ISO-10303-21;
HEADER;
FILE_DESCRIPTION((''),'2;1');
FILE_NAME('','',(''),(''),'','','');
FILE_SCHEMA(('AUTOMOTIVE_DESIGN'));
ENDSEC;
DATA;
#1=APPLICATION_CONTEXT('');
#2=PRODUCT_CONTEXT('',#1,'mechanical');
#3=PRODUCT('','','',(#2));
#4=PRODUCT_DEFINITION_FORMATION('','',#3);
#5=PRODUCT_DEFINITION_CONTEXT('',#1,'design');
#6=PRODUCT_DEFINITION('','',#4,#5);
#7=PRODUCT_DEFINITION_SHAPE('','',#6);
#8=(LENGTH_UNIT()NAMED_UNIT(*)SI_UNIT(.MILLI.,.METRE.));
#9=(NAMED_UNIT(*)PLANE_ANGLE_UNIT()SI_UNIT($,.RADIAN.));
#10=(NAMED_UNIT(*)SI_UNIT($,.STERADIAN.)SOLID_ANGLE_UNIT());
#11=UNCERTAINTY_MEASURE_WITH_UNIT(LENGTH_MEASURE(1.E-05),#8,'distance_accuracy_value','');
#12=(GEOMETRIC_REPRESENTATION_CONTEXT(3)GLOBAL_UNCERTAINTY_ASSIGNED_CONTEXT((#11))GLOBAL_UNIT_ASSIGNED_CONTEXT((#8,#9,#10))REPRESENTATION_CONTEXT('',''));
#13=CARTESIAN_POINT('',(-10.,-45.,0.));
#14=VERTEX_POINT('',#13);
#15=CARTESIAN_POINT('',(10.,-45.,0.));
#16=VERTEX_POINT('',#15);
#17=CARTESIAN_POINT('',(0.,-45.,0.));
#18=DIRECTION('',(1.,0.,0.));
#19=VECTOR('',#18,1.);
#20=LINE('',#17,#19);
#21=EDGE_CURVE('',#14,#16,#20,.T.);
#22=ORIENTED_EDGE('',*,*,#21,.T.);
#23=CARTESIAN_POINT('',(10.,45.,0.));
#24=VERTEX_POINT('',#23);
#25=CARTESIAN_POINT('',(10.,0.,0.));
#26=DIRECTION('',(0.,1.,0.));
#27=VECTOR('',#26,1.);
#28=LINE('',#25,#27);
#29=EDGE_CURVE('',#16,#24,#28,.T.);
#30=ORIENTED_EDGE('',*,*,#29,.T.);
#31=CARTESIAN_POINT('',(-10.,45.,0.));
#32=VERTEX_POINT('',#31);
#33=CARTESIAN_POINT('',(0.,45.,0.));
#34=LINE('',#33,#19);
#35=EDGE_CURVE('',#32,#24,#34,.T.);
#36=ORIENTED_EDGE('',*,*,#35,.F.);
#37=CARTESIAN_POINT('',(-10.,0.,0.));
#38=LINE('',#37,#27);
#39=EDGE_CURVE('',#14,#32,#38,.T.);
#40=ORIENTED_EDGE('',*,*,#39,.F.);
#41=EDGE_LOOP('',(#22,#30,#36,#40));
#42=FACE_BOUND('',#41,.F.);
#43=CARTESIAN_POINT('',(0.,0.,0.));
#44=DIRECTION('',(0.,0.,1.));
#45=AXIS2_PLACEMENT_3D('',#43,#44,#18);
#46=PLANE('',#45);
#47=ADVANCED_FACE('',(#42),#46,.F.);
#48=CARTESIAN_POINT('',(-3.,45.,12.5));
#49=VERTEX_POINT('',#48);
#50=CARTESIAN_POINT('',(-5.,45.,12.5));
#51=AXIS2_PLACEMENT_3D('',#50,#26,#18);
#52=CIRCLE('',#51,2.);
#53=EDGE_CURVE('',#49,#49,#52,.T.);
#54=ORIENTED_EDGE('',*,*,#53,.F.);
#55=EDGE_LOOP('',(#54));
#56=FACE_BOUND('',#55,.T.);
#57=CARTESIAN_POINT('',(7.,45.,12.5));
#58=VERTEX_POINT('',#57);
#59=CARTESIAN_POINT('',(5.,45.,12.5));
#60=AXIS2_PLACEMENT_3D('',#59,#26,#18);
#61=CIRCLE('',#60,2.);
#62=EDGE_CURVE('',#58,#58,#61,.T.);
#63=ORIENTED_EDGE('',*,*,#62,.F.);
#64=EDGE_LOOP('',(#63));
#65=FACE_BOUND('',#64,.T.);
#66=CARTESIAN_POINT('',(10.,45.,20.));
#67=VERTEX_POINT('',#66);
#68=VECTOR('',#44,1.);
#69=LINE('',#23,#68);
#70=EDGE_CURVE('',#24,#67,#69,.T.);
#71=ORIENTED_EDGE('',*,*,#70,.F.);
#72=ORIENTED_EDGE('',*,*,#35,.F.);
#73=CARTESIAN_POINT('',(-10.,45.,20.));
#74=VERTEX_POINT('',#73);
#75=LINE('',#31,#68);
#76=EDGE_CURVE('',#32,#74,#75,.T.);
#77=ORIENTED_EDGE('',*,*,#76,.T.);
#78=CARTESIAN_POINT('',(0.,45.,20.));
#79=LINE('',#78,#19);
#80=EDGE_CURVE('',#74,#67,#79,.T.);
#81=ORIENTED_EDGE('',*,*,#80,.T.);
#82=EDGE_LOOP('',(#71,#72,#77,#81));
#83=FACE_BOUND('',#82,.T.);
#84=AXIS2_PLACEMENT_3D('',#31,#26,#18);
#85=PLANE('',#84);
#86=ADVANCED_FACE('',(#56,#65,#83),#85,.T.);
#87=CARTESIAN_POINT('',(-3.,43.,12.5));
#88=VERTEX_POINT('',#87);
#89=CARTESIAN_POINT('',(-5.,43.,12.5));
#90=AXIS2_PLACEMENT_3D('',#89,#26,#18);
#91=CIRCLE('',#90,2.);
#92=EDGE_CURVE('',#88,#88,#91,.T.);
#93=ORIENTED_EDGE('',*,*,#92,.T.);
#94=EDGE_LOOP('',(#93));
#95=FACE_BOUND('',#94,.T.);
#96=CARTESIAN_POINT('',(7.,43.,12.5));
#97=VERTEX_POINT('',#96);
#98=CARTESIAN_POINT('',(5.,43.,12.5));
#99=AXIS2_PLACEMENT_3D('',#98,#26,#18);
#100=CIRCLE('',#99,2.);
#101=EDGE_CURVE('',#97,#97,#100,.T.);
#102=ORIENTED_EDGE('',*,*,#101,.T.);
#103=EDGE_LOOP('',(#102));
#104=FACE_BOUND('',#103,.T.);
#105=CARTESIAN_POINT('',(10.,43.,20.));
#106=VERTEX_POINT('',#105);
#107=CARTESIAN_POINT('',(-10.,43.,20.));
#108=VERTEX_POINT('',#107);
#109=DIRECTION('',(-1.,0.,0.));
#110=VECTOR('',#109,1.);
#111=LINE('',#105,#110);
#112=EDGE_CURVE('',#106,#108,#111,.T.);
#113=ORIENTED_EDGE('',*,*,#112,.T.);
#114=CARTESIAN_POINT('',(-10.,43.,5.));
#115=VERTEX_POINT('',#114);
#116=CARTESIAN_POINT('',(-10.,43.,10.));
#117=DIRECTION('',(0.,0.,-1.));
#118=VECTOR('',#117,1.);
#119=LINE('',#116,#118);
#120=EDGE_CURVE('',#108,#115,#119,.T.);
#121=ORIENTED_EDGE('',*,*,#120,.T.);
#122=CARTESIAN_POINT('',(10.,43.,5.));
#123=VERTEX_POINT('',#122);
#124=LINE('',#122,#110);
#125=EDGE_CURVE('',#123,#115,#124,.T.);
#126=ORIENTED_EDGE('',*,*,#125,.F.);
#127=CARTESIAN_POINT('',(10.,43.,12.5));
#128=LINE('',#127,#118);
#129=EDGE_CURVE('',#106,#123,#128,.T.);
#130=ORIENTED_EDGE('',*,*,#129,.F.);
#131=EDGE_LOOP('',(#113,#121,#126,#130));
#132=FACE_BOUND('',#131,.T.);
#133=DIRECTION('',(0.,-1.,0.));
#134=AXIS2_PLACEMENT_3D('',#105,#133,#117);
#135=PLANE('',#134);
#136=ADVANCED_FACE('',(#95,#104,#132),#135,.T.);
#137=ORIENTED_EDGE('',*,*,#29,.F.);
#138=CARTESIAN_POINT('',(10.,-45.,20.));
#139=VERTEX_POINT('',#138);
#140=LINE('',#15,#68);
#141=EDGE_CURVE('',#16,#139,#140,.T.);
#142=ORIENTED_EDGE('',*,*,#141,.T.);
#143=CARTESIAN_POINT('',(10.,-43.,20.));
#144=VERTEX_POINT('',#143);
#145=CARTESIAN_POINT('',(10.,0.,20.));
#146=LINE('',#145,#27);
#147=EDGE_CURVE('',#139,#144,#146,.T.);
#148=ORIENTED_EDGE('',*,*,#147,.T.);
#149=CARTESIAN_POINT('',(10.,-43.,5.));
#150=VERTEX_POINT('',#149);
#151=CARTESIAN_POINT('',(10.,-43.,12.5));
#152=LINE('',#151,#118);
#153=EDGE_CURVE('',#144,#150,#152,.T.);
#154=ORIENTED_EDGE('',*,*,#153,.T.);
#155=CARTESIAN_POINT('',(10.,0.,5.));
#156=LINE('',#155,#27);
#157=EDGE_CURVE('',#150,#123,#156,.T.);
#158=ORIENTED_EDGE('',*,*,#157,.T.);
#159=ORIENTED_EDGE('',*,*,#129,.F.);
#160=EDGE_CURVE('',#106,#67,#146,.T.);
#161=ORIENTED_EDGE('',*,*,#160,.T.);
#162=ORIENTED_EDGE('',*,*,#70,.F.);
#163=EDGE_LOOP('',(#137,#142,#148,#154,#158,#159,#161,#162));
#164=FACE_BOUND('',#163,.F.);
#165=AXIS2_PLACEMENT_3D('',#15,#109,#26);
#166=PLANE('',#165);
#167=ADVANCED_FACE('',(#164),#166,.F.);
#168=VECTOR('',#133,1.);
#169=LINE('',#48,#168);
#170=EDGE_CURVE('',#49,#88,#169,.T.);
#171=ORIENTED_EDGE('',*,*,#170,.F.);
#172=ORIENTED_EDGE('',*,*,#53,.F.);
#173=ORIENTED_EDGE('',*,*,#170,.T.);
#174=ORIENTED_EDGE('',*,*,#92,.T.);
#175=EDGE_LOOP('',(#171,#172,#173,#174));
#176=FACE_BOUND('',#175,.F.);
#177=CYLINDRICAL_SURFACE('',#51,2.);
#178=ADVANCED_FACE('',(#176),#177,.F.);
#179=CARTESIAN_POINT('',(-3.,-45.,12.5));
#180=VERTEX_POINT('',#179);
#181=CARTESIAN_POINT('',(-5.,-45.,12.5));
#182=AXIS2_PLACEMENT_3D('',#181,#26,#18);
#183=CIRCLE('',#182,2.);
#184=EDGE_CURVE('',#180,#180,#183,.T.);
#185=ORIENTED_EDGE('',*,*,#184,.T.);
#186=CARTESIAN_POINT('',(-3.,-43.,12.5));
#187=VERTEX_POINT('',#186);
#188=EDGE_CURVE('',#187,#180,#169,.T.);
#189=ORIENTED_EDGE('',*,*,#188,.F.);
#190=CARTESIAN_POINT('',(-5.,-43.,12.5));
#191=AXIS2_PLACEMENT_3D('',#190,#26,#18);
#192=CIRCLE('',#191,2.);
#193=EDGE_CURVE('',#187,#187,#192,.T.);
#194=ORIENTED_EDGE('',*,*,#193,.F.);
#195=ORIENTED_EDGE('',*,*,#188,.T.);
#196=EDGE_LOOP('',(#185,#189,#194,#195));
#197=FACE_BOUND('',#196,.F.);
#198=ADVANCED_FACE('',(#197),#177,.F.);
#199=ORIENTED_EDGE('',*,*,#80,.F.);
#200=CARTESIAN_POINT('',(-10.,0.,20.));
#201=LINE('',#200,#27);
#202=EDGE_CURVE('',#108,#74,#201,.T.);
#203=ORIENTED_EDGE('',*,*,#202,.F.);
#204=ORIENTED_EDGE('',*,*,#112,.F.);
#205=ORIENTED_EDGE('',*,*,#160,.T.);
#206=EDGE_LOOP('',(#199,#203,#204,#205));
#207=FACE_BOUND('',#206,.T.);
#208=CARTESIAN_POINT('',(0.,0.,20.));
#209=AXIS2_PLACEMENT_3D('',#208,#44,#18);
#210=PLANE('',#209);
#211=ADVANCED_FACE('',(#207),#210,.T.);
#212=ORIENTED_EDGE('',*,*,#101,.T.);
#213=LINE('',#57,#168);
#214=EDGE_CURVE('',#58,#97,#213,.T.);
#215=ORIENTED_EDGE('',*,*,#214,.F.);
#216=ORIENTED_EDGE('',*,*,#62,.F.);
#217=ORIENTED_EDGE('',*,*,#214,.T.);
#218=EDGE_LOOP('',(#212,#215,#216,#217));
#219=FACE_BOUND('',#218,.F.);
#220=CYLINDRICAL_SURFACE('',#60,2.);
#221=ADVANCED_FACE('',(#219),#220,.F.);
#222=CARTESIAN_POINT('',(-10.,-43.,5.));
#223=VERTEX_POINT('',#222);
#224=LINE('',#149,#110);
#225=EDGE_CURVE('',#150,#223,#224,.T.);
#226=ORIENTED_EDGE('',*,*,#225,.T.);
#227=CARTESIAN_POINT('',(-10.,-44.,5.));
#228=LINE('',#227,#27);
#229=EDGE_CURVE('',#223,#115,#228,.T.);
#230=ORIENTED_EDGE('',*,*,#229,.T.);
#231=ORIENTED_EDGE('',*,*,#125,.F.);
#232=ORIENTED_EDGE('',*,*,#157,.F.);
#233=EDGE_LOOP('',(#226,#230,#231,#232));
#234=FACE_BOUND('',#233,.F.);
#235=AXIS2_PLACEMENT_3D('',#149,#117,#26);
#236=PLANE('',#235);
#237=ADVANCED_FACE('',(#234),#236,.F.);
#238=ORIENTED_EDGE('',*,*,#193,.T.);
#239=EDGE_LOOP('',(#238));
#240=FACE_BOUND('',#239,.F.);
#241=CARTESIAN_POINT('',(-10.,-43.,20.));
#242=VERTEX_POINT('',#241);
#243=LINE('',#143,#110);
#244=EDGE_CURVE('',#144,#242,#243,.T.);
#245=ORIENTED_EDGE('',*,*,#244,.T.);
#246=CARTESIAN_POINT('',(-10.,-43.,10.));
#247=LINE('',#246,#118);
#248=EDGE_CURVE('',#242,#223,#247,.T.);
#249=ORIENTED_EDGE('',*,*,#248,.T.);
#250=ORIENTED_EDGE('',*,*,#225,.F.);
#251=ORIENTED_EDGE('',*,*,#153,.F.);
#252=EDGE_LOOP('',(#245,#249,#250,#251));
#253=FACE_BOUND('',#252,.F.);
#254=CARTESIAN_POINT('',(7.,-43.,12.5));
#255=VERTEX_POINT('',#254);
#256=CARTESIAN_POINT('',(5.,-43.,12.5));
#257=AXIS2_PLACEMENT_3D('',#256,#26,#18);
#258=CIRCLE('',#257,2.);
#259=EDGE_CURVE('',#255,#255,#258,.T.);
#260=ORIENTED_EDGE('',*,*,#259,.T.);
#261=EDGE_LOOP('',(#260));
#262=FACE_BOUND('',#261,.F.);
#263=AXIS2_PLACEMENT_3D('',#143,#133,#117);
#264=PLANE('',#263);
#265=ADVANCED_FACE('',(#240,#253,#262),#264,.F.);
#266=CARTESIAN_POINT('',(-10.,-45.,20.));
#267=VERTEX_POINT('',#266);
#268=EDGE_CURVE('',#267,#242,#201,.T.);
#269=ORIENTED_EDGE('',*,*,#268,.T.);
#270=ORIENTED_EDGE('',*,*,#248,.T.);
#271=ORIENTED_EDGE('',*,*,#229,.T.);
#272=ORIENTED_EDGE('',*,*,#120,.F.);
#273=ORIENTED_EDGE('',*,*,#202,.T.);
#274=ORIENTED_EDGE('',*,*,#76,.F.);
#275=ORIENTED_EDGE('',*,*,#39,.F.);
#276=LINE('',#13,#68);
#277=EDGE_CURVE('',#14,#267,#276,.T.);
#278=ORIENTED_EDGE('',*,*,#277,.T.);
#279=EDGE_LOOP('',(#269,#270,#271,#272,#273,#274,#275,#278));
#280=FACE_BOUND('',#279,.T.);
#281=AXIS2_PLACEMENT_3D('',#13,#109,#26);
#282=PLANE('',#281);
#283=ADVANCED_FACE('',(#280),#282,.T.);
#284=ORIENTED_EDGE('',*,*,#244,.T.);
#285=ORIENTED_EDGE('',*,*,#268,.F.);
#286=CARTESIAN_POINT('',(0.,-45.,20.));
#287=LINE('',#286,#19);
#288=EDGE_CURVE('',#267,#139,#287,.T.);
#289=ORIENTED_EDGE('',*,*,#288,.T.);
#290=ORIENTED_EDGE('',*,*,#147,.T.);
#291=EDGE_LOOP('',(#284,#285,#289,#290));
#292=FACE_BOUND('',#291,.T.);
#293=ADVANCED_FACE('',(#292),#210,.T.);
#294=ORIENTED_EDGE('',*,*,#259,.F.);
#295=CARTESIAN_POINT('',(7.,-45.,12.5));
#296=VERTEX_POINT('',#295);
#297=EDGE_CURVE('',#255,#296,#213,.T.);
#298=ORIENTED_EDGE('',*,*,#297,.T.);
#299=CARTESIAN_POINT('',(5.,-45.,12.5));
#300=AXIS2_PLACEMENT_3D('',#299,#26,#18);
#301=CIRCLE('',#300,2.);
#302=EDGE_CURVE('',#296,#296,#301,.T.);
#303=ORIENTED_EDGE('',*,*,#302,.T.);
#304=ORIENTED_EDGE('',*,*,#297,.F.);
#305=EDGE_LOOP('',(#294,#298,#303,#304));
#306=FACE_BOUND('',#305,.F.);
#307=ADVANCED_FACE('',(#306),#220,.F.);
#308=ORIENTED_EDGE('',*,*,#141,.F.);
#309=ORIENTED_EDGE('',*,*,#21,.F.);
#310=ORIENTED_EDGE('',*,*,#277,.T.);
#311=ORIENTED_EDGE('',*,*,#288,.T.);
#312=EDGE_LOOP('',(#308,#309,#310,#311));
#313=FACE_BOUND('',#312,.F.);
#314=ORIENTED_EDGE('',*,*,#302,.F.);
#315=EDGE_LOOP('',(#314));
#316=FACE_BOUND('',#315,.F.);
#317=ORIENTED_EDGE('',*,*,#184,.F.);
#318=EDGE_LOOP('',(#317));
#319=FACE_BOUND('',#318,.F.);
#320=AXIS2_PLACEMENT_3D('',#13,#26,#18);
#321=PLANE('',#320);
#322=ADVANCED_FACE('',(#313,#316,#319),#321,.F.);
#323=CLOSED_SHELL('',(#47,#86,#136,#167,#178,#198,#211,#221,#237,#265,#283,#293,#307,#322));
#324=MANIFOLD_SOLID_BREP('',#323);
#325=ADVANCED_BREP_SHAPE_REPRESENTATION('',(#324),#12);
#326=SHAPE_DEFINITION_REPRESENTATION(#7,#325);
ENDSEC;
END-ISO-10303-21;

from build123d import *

# Parameters (mm, degrees)
SKETCH1_W               = 20
SKETCH1_H               = 90
BOSS_EXTRUDE1_DEPTH     = 20
CUT_EXTRUDE1_REACH      = 22
SKETCH2_W               = 15
SKETCH2_H               = 86
SKETCH3_R               = 2
CUT_EXTRUDE2_DEPTH      = 1
CUT_EXTRUDE2_DEPTH_BACK = 140


with BuildPart() as part:
    # Sketch1 → Boss-Extrude1 (new body)
    with BuildSketch(Plane.XY):
        Rectangle(SKETCH1_W, SKETCH1_H)
    extrude(amount=BOSS_EXTRUDE1_DEPTH)

    # Sketch2 → Cut-Extrude1 (cut, up to next)
    with BuildSketch(Plane(origin=(10, 0, 0), x_dir=(0, 0, -1), z_dir=(1, 0, 0)), mode=Mode.PRIVATE) as cut_extrude1_sk1:
        with Locations((-12.5, 0)):
            Rectangle(SKETCH2_W, SKETCH2_H)
    cut_extrude1_tool1 = extrude(cut_extrude1_sk1.sketch, amount=-CUT_EXTRUDE1_REACH, mode=Mode.PRIVATE) & part.part
    add(cut_extrude1_tool1.solids().sort_by_distance((10, 0, 12.5))[0], mode=Mode.SUBTRACT)

    # Sketch3 → Cut-Extrude2 (cut, two sides)
    with BuildSketch(Plane(origin=(0, 45, 0), x_dir=(1, 0, 0), z_dir=(0, 1, 0))) as cut_extrude2_sk:
        with Locations((-5, -12.5)):
            Circle(SKETCH3_R)
        with Locations((5, -12.5)):
            Circle(SKETCH3_R)
    extrude(amount=CUT_EXTRUDE2_DEPTH, mode=Mode.SUBTRACT)
    extrude(cut_extrude2_sk.sketch, amount=-CUT_EXTRUDE2_DEPTH_BACK, mode=Mode.SUBTRACT)


solid = part.part
